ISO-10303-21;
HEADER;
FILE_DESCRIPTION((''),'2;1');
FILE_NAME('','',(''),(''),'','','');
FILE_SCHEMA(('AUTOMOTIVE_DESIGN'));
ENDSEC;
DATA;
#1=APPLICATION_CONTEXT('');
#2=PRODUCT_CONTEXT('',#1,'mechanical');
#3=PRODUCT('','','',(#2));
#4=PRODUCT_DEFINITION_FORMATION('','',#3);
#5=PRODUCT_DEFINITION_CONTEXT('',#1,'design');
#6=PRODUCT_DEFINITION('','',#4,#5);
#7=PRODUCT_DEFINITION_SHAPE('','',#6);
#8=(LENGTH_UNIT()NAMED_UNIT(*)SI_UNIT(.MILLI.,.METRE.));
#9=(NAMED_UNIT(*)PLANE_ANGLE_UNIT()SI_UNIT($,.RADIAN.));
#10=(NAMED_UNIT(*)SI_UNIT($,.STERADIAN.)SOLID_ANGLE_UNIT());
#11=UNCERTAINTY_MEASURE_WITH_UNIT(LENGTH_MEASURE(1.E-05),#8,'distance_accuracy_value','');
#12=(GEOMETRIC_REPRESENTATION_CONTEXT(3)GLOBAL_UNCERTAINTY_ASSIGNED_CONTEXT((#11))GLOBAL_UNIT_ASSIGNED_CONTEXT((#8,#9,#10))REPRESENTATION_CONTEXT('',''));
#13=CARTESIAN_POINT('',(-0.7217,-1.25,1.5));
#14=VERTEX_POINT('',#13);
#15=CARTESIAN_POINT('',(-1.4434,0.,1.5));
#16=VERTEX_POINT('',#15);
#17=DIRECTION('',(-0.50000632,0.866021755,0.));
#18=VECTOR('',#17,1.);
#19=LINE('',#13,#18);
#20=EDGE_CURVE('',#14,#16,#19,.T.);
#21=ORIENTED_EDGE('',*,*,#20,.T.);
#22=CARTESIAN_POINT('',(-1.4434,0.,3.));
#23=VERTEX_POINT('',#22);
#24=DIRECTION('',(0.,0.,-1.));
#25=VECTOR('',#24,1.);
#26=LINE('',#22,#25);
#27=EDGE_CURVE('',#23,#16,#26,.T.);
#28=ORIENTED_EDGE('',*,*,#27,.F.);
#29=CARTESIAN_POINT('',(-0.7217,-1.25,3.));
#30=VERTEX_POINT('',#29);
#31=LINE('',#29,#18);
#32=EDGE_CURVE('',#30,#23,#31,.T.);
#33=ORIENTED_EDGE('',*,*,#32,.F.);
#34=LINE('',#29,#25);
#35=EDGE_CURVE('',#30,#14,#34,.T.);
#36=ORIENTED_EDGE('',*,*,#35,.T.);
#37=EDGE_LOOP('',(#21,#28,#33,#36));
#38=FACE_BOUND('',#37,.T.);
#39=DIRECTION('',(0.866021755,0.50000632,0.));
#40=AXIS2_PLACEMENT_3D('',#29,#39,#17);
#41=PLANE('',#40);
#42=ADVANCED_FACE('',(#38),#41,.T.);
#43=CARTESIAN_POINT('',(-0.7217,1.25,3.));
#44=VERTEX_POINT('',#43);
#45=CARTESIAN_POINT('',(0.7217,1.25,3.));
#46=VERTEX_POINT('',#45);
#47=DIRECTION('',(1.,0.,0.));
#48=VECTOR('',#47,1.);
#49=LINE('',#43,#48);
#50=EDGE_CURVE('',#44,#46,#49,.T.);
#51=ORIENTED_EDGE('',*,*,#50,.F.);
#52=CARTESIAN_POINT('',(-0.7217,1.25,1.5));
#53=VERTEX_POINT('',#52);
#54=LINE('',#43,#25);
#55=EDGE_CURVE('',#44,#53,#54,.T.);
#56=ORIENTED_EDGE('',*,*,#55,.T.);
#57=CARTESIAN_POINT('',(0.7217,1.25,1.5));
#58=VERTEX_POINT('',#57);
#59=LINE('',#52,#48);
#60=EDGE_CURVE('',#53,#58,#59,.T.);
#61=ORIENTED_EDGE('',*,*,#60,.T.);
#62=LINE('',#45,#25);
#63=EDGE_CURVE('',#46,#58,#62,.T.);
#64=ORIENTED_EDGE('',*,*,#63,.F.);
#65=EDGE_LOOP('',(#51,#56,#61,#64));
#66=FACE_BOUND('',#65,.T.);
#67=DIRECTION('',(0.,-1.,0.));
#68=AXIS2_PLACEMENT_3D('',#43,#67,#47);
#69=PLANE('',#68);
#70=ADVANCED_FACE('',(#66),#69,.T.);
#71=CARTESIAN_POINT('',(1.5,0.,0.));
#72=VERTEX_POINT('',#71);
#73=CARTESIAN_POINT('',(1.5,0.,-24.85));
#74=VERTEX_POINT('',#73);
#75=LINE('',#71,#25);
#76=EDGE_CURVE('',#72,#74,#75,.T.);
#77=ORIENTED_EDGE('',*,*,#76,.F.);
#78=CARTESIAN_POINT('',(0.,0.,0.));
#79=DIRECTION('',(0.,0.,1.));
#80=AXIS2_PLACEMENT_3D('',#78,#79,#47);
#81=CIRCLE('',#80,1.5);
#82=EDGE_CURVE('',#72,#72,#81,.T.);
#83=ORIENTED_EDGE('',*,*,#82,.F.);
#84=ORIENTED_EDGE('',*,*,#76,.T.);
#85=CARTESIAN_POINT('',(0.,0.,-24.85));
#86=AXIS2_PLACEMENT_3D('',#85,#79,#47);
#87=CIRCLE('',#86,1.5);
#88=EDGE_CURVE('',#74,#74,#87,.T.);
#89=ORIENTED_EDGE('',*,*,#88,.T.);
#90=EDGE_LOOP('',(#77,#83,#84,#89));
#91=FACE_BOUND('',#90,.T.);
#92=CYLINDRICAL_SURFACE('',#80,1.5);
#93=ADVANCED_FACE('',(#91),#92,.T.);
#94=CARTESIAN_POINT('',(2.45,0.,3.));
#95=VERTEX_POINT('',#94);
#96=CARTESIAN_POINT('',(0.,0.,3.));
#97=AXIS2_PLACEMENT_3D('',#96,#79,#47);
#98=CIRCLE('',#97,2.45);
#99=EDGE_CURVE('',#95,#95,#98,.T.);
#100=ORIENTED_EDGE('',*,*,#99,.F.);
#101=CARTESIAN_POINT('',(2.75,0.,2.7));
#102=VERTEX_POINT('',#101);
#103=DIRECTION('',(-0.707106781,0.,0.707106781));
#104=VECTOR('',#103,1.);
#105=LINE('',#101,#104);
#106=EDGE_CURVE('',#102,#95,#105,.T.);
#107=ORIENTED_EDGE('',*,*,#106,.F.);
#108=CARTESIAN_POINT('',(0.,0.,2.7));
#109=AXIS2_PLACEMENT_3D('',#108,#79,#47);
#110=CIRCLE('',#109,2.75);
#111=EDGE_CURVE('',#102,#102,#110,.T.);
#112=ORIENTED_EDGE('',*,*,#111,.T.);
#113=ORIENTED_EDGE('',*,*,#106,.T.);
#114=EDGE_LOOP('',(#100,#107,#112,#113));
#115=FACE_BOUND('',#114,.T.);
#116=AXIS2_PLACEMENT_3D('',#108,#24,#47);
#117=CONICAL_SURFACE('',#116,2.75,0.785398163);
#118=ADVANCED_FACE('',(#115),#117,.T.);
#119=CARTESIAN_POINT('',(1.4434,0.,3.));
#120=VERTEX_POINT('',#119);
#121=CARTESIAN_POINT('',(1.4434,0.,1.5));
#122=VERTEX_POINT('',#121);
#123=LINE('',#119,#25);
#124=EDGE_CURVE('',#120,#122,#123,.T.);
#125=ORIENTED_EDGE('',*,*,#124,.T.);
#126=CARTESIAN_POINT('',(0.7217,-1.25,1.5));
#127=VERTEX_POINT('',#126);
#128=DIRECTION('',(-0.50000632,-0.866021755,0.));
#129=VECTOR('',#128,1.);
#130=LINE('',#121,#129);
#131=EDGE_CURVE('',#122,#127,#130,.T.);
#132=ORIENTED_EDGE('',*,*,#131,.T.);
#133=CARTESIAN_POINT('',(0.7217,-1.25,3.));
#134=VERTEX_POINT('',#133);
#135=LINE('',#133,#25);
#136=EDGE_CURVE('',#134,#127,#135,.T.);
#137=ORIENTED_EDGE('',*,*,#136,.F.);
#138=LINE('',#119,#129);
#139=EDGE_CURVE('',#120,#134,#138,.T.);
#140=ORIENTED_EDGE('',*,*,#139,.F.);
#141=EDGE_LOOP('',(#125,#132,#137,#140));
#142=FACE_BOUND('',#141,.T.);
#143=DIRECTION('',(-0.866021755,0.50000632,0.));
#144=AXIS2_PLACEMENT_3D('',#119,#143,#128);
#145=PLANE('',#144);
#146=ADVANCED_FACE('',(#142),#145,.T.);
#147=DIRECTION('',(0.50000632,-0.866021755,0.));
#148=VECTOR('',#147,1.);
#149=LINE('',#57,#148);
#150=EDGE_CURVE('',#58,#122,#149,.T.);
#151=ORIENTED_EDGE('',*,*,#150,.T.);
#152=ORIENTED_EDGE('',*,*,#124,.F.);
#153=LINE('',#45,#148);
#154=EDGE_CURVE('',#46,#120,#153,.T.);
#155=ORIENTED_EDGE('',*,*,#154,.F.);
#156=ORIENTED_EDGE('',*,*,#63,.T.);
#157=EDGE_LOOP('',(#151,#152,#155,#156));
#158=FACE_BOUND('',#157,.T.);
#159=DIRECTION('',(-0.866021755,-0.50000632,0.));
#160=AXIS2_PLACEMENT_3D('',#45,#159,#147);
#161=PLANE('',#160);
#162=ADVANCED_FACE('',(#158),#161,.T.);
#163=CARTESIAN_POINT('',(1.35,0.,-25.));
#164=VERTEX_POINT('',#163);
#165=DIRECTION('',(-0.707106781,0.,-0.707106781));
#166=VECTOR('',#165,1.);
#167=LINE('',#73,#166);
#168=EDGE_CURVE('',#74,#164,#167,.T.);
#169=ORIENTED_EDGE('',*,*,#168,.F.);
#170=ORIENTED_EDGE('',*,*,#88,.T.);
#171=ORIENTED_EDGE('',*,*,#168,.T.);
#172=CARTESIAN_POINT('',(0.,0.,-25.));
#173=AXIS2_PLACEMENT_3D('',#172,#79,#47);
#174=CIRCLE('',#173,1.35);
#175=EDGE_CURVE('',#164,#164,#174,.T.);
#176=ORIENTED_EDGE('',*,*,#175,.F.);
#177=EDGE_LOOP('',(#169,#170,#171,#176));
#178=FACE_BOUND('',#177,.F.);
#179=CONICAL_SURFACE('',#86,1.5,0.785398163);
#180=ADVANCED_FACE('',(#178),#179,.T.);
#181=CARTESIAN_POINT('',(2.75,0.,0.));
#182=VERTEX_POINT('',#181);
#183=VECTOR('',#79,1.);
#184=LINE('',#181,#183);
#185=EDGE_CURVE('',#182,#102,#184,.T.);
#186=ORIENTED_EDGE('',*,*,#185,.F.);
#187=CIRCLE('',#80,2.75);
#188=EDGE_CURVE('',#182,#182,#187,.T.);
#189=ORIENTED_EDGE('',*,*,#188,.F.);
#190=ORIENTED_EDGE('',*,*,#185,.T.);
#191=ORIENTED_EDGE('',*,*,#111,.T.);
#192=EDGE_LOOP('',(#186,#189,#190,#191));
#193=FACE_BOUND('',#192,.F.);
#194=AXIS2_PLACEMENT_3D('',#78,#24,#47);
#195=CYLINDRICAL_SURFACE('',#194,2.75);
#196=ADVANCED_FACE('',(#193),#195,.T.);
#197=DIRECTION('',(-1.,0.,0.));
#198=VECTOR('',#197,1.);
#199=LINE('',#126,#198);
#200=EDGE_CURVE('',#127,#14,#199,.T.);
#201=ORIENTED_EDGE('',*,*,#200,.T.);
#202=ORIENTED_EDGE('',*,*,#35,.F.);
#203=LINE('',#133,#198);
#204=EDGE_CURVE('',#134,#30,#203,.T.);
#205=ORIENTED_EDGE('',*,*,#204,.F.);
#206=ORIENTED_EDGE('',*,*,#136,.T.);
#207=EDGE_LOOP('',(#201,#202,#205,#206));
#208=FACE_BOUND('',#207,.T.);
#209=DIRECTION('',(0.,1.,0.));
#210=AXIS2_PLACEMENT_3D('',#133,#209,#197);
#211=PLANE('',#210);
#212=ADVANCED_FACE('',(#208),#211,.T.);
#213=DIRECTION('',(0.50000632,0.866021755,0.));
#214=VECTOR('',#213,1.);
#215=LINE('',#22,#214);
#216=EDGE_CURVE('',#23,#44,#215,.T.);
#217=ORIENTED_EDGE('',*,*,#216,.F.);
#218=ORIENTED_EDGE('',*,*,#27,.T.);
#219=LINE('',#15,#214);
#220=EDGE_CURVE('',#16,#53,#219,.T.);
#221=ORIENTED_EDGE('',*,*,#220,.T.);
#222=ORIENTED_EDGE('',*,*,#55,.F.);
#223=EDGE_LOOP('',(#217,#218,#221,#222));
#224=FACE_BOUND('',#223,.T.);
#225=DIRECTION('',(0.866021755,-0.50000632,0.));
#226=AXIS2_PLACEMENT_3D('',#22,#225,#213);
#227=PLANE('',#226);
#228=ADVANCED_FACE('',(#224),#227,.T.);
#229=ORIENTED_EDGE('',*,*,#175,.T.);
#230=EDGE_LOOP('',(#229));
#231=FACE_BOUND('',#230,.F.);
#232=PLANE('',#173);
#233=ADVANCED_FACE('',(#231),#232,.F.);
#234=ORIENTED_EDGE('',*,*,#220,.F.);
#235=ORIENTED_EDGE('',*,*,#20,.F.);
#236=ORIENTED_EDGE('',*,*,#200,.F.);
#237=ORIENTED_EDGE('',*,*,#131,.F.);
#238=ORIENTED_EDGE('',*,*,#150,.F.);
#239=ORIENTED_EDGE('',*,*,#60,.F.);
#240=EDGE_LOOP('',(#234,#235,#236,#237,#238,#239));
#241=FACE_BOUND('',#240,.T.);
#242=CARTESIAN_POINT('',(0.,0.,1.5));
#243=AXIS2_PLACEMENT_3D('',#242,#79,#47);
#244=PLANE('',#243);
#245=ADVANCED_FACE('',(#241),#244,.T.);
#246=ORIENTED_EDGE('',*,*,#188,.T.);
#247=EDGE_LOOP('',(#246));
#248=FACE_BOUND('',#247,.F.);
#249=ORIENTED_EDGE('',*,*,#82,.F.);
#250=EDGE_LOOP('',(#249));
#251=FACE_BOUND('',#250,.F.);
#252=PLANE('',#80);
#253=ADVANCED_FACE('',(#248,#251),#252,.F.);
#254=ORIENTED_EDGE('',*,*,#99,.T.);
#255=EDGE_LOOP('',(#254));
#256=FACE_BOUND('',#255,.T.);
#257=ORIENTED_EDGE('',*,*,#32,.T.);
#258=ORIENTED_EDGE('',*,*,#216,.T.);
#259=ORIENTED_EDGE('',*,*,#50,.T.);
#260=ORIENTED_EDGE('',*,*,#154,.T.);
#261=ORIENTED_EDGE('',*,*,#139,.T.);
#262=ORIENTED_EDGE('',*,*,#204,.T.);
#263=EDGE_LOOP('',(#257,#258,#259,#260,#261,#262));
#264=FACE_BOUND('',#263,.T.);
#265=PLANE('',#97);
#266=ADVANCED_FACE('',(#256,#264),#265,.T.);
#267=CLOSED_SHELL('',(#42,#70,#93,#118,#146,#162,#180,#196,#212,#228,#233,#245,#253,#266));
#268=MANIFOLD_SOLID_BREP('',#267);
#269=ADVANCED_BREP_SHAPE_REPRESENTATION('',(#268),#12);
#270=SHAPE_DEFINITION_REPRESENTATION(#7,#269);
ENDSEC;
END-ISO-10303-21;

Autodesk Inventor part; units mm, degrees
ref_plane "YZ Plane" through (0, 0, 0) normal (1, 0, 0) x (0, 1, 0)
ref_plane "XZ Plane" through (0, 0, 0) normal (0, 1, 0) x (-1, 0, 0)
ref_plane "XY Plane" through (0, 0, 0) normal (0, 0, 1) x (1, 0, 0)
sketch "Sketch3" plane through (0, 0, 0) normal (0, 0, 1) x (1, 0, 0)
  circle A0 centre (0, 0) radius 1.5
  dimension "Diameter" = 3
extrude "Extrusion1" add sketch "Sketch3" against normal blind 25
sketch "Sketch4" plane through (0, 0, 0) normal (0, 0, 1) x (1, 0, 0)
  circle A0 centre (0, 0) radius 1.5 projected
  circle A1 centre (0, 0) radius 2.75
  dimension "Head_Diameter" = 5.5
extrude "Extrusion2" add sketch "Sketch4" along normal blind 3 contours A0 | A1
sketch "Sketch5" plane through (0, 0, 3) normal (0, 0, 1) x (1, 0, 0)
  circle A0 centre (0, 0) radius 2.75 projected
  line L0 (1.4434, 0) -> (0.7217, -1.25)
  line L1 (0.7217, -1.25) -> (-0.7217, -1.25)
  line L2 (-0.7217, -1.25) -> (-1.4434, 0)
  line L3 (-1.4434, 0) -> (-0.7217, 1.25)
  line L4 (-0.7217, 1.25) -> (0.7217, 1.25)
  line L5 (0.7217, 1.25) -> (1.4434, 0)
  line L6 (0, 0) -> (1.4434, 0) construction
  dimension "Hex_Width" = 2.5
extrude "Extrusion3" cut sketch "Sketch5" against normal blind 1.5 contours L0 L1 L2 L3 L4 L5
thread "Thread1" size "M3x0.5" class "4g6g" standard "ANSI Metric M Profile" length 20
chamfer "Chamfer1" distance 0.3 angle 45 1 edges at (-2.75, 0, 3)
chamfer "Chamfer2" distance 0.15 angle 45 1 edges at (-1.5, 0, -25)
equation "\"d14\" = 0.5 * Chamfer"
equation "\"Chamfer\" = 0.3"
properties part number "SCREW,SOCKET-HD,P,12_9,M03X0_5X25MM" material "Steel, MS"
